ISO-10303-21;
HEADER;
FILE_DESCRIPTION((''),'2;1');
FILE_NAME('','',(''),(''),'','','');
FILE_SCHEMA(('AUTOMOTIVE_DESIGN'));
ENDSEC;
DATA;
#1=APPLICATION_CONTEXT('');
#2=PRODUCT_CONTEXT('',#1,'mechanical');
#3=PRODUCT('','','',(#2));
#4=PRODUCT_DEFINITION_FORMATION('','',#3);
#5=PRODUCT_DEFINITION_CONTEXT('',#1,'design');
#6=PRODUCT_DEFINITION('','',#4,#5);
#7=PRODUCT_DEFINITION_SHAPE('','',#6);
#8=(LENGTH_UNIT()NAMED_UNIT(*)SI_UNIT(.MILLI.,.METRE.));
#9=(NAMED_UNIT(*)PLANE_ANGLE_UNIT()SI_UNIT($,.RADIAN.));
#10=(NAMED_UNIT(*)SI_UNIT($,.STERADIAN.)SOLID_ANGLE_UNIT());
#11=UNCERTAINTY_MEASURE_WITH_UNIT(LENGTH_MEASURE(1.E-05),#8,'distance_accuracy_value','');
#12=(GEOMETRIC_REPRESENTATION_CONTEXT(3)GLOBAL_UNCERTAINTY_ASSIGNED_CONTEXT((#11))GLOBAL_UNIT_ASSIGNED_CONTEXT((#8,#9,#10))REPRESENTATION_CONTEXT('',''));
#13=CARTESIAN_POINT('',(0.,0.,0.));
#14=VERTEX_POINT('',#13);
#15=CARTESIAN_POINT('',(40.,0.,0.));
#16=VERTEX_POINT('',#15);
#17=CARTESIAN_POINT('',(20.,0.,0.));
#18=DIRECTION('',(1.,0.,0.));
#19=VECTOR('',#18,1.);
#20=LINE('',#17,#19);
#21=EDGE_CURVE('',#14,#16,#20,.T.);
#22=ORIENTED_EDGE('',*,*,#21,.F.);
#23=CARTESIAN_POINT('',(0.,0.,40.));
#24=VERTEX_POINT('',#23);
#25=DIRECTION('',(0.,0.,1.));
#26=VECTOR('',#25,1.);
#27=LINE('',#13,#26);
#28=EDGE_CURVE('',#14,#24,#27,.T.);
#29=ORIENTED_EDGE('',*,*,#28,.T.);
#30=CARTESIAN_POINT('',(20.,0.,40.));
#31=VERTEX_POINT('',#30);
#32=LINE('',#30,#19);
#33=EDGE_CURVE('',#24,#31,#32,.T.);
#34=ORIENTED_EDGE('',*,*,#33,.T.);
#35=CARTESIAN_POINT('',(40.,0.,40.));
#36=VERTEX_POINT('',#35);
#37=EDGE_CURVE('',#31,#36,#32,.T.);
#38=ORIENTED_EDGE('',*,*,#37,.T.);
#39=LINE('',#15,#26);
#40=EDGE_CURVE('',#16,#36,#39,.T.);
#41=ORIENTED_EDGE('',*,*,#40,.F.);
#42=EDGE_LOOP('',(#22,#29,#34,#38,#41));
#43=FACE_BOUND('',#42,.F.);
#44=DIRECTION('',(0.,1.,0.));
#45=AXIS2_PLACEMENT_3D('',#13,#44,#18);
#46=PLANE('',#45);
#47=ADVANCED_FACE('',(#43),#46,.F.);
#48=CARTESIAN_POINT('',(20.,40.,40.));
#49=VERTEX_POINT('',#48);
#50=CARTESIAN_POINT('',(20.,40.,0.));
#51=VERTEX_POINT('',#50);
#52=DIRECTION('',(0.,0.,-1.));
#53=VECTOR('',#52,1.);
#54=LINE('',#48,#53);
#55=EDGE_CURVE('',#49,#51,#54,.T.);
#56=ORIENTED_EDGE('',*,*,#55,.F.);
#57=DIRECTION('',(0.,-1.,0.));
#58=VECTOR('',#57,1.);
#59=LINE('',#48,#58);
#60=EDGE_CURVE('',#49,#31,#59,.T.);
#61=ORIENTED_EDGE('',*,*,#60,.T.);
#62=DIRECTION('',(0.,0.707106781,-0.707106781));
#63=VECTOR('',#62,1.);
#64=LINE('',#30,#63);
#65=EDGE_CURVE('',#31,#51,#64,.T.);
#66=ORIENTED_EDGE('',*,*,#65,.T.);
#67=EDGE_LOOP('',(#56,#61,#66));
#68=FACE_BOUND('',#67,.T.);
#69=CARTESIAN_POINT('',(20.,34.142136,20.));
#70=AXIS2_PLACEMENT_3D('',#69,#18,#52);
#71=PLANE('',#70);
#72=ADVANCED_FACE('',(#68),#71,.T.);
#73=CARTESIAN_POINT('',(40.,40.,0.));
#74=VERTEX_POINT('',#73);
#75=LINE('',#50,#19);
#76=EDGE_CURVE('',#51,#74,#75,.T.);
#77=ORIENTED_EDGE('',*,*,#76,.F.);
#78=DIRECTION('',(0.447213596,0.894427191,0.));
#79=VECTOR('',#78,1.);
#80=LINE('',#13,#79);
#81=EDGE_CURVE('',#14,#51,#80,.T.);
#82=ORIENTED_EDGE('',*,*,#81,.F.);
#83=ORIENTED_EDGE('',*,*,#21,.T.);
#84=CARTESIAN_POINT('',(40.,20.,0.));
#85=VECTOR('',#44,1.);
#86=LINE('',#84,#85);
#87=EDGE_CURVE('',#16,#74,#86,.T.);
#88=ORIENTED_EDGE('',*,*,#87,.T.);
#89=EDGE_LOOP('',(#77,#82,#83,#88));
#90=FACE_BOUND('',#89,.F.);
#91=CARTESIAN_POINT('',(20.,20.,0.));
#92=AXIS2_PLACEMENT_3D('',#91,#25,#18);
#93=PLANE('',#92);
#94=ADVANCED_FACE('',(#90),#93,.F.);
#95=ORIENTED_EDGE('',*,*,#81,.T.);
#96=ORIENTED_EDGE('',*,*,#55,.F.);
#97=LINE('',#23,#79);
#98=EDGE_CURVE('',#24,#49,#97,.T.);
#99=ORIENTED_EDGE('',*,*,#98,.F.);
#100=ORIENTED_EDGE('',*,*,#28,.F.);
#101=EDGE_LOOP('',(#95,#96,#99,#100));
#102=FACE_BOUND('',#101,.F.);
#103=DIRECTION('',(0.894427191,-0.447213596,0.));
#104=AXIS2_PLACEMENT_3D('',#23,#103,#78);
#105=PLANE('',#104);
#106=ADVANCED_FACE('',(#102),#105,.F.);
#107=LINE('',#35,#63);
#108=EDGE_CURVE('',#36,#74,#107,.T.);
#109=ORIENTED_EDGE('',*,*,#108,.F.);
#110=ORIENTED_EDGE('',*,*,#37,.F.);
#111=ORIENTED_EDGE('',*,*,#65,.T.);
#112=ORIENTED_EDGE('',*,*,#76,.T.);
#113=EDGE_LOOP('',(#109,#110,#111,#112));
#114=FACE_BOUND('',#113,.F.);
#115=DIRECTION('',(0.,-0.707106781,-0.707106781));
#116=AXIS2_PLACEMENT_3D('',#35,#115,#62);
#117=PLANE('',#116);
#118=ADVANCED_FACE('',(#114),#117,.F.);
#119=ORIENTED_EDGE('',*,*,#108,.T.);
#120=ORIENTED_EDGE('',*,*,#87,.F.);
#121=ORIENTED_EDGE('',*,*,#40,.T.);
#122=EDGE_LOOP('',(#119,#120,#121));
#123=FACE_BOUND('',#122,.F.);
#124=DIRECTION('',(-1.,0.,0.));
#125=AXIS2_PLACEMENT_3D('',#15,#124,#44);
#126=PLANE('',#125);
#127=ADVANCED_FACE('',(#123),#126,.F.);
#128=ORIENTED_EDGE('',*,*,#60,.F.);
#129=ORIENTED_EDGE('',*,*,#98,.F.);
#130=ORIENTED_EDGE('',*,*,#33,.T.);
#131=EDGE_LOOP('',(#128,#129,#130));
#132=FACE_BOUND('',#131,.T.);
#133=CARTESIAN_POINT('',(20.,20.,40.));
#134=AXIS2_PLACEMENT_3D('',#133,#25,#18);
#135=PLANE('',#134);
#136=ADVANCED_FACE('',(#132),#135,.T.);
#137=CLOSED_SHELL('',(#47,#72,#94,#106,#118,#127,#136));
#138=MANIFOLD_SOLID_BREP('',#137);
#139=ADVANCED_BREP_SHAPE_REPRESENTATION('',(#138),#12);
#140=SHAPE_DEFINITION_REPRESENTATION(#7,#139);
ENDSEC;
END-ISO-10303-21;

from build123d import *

# Parameters (mm, degrees)
SKETCH1_W           = 40
SKETCH1_H           = 40
BOSS_EXTRUDE1_DEPTH = 40
CUT_EXTRUDE1_DEPTH  = 40
CUT_EXTRUDE3_DEPTH  = 20


with BuildPart() as part:
    # Sketch1 → Boss-Extrude1 (new body)
    with BuildSketch(Plane.XY):
        with Locations((20, 20)):
            Rectangle(SKETCH1_W, SKETCH1_H)
    extrude(amount=BOSS_EXTRUDE1_DEPTH)

    # Sketch2 → Cut-Extrude1 (cut)
    with BuildSketch(Plane.XY.offset(40)):
        Polygon((0, 0), (20, 40), (0, 40), align=None)
    extrude(amount=-CUT_EXTRUDE1_DEPTH, mode=Mode.SUBTRACT)

    # Sketch3 → Cut-Extrude3 (cut)
    with BuildSketch(Plane(origin=(40, 0, 0), x_dir=(0, 0, -1), z_dir=(1, 0, 0))):
        Polygon((0, 40), (-40, 40), (-20, 20), align=None)
        Polygon((-20, 20), (-40, 40), (-40, 0), align=None)
    extrude(amount=-CUT_EXTRUDE3_DEPTH, mode=Mode.SUBTRACT)


solid = part.part
